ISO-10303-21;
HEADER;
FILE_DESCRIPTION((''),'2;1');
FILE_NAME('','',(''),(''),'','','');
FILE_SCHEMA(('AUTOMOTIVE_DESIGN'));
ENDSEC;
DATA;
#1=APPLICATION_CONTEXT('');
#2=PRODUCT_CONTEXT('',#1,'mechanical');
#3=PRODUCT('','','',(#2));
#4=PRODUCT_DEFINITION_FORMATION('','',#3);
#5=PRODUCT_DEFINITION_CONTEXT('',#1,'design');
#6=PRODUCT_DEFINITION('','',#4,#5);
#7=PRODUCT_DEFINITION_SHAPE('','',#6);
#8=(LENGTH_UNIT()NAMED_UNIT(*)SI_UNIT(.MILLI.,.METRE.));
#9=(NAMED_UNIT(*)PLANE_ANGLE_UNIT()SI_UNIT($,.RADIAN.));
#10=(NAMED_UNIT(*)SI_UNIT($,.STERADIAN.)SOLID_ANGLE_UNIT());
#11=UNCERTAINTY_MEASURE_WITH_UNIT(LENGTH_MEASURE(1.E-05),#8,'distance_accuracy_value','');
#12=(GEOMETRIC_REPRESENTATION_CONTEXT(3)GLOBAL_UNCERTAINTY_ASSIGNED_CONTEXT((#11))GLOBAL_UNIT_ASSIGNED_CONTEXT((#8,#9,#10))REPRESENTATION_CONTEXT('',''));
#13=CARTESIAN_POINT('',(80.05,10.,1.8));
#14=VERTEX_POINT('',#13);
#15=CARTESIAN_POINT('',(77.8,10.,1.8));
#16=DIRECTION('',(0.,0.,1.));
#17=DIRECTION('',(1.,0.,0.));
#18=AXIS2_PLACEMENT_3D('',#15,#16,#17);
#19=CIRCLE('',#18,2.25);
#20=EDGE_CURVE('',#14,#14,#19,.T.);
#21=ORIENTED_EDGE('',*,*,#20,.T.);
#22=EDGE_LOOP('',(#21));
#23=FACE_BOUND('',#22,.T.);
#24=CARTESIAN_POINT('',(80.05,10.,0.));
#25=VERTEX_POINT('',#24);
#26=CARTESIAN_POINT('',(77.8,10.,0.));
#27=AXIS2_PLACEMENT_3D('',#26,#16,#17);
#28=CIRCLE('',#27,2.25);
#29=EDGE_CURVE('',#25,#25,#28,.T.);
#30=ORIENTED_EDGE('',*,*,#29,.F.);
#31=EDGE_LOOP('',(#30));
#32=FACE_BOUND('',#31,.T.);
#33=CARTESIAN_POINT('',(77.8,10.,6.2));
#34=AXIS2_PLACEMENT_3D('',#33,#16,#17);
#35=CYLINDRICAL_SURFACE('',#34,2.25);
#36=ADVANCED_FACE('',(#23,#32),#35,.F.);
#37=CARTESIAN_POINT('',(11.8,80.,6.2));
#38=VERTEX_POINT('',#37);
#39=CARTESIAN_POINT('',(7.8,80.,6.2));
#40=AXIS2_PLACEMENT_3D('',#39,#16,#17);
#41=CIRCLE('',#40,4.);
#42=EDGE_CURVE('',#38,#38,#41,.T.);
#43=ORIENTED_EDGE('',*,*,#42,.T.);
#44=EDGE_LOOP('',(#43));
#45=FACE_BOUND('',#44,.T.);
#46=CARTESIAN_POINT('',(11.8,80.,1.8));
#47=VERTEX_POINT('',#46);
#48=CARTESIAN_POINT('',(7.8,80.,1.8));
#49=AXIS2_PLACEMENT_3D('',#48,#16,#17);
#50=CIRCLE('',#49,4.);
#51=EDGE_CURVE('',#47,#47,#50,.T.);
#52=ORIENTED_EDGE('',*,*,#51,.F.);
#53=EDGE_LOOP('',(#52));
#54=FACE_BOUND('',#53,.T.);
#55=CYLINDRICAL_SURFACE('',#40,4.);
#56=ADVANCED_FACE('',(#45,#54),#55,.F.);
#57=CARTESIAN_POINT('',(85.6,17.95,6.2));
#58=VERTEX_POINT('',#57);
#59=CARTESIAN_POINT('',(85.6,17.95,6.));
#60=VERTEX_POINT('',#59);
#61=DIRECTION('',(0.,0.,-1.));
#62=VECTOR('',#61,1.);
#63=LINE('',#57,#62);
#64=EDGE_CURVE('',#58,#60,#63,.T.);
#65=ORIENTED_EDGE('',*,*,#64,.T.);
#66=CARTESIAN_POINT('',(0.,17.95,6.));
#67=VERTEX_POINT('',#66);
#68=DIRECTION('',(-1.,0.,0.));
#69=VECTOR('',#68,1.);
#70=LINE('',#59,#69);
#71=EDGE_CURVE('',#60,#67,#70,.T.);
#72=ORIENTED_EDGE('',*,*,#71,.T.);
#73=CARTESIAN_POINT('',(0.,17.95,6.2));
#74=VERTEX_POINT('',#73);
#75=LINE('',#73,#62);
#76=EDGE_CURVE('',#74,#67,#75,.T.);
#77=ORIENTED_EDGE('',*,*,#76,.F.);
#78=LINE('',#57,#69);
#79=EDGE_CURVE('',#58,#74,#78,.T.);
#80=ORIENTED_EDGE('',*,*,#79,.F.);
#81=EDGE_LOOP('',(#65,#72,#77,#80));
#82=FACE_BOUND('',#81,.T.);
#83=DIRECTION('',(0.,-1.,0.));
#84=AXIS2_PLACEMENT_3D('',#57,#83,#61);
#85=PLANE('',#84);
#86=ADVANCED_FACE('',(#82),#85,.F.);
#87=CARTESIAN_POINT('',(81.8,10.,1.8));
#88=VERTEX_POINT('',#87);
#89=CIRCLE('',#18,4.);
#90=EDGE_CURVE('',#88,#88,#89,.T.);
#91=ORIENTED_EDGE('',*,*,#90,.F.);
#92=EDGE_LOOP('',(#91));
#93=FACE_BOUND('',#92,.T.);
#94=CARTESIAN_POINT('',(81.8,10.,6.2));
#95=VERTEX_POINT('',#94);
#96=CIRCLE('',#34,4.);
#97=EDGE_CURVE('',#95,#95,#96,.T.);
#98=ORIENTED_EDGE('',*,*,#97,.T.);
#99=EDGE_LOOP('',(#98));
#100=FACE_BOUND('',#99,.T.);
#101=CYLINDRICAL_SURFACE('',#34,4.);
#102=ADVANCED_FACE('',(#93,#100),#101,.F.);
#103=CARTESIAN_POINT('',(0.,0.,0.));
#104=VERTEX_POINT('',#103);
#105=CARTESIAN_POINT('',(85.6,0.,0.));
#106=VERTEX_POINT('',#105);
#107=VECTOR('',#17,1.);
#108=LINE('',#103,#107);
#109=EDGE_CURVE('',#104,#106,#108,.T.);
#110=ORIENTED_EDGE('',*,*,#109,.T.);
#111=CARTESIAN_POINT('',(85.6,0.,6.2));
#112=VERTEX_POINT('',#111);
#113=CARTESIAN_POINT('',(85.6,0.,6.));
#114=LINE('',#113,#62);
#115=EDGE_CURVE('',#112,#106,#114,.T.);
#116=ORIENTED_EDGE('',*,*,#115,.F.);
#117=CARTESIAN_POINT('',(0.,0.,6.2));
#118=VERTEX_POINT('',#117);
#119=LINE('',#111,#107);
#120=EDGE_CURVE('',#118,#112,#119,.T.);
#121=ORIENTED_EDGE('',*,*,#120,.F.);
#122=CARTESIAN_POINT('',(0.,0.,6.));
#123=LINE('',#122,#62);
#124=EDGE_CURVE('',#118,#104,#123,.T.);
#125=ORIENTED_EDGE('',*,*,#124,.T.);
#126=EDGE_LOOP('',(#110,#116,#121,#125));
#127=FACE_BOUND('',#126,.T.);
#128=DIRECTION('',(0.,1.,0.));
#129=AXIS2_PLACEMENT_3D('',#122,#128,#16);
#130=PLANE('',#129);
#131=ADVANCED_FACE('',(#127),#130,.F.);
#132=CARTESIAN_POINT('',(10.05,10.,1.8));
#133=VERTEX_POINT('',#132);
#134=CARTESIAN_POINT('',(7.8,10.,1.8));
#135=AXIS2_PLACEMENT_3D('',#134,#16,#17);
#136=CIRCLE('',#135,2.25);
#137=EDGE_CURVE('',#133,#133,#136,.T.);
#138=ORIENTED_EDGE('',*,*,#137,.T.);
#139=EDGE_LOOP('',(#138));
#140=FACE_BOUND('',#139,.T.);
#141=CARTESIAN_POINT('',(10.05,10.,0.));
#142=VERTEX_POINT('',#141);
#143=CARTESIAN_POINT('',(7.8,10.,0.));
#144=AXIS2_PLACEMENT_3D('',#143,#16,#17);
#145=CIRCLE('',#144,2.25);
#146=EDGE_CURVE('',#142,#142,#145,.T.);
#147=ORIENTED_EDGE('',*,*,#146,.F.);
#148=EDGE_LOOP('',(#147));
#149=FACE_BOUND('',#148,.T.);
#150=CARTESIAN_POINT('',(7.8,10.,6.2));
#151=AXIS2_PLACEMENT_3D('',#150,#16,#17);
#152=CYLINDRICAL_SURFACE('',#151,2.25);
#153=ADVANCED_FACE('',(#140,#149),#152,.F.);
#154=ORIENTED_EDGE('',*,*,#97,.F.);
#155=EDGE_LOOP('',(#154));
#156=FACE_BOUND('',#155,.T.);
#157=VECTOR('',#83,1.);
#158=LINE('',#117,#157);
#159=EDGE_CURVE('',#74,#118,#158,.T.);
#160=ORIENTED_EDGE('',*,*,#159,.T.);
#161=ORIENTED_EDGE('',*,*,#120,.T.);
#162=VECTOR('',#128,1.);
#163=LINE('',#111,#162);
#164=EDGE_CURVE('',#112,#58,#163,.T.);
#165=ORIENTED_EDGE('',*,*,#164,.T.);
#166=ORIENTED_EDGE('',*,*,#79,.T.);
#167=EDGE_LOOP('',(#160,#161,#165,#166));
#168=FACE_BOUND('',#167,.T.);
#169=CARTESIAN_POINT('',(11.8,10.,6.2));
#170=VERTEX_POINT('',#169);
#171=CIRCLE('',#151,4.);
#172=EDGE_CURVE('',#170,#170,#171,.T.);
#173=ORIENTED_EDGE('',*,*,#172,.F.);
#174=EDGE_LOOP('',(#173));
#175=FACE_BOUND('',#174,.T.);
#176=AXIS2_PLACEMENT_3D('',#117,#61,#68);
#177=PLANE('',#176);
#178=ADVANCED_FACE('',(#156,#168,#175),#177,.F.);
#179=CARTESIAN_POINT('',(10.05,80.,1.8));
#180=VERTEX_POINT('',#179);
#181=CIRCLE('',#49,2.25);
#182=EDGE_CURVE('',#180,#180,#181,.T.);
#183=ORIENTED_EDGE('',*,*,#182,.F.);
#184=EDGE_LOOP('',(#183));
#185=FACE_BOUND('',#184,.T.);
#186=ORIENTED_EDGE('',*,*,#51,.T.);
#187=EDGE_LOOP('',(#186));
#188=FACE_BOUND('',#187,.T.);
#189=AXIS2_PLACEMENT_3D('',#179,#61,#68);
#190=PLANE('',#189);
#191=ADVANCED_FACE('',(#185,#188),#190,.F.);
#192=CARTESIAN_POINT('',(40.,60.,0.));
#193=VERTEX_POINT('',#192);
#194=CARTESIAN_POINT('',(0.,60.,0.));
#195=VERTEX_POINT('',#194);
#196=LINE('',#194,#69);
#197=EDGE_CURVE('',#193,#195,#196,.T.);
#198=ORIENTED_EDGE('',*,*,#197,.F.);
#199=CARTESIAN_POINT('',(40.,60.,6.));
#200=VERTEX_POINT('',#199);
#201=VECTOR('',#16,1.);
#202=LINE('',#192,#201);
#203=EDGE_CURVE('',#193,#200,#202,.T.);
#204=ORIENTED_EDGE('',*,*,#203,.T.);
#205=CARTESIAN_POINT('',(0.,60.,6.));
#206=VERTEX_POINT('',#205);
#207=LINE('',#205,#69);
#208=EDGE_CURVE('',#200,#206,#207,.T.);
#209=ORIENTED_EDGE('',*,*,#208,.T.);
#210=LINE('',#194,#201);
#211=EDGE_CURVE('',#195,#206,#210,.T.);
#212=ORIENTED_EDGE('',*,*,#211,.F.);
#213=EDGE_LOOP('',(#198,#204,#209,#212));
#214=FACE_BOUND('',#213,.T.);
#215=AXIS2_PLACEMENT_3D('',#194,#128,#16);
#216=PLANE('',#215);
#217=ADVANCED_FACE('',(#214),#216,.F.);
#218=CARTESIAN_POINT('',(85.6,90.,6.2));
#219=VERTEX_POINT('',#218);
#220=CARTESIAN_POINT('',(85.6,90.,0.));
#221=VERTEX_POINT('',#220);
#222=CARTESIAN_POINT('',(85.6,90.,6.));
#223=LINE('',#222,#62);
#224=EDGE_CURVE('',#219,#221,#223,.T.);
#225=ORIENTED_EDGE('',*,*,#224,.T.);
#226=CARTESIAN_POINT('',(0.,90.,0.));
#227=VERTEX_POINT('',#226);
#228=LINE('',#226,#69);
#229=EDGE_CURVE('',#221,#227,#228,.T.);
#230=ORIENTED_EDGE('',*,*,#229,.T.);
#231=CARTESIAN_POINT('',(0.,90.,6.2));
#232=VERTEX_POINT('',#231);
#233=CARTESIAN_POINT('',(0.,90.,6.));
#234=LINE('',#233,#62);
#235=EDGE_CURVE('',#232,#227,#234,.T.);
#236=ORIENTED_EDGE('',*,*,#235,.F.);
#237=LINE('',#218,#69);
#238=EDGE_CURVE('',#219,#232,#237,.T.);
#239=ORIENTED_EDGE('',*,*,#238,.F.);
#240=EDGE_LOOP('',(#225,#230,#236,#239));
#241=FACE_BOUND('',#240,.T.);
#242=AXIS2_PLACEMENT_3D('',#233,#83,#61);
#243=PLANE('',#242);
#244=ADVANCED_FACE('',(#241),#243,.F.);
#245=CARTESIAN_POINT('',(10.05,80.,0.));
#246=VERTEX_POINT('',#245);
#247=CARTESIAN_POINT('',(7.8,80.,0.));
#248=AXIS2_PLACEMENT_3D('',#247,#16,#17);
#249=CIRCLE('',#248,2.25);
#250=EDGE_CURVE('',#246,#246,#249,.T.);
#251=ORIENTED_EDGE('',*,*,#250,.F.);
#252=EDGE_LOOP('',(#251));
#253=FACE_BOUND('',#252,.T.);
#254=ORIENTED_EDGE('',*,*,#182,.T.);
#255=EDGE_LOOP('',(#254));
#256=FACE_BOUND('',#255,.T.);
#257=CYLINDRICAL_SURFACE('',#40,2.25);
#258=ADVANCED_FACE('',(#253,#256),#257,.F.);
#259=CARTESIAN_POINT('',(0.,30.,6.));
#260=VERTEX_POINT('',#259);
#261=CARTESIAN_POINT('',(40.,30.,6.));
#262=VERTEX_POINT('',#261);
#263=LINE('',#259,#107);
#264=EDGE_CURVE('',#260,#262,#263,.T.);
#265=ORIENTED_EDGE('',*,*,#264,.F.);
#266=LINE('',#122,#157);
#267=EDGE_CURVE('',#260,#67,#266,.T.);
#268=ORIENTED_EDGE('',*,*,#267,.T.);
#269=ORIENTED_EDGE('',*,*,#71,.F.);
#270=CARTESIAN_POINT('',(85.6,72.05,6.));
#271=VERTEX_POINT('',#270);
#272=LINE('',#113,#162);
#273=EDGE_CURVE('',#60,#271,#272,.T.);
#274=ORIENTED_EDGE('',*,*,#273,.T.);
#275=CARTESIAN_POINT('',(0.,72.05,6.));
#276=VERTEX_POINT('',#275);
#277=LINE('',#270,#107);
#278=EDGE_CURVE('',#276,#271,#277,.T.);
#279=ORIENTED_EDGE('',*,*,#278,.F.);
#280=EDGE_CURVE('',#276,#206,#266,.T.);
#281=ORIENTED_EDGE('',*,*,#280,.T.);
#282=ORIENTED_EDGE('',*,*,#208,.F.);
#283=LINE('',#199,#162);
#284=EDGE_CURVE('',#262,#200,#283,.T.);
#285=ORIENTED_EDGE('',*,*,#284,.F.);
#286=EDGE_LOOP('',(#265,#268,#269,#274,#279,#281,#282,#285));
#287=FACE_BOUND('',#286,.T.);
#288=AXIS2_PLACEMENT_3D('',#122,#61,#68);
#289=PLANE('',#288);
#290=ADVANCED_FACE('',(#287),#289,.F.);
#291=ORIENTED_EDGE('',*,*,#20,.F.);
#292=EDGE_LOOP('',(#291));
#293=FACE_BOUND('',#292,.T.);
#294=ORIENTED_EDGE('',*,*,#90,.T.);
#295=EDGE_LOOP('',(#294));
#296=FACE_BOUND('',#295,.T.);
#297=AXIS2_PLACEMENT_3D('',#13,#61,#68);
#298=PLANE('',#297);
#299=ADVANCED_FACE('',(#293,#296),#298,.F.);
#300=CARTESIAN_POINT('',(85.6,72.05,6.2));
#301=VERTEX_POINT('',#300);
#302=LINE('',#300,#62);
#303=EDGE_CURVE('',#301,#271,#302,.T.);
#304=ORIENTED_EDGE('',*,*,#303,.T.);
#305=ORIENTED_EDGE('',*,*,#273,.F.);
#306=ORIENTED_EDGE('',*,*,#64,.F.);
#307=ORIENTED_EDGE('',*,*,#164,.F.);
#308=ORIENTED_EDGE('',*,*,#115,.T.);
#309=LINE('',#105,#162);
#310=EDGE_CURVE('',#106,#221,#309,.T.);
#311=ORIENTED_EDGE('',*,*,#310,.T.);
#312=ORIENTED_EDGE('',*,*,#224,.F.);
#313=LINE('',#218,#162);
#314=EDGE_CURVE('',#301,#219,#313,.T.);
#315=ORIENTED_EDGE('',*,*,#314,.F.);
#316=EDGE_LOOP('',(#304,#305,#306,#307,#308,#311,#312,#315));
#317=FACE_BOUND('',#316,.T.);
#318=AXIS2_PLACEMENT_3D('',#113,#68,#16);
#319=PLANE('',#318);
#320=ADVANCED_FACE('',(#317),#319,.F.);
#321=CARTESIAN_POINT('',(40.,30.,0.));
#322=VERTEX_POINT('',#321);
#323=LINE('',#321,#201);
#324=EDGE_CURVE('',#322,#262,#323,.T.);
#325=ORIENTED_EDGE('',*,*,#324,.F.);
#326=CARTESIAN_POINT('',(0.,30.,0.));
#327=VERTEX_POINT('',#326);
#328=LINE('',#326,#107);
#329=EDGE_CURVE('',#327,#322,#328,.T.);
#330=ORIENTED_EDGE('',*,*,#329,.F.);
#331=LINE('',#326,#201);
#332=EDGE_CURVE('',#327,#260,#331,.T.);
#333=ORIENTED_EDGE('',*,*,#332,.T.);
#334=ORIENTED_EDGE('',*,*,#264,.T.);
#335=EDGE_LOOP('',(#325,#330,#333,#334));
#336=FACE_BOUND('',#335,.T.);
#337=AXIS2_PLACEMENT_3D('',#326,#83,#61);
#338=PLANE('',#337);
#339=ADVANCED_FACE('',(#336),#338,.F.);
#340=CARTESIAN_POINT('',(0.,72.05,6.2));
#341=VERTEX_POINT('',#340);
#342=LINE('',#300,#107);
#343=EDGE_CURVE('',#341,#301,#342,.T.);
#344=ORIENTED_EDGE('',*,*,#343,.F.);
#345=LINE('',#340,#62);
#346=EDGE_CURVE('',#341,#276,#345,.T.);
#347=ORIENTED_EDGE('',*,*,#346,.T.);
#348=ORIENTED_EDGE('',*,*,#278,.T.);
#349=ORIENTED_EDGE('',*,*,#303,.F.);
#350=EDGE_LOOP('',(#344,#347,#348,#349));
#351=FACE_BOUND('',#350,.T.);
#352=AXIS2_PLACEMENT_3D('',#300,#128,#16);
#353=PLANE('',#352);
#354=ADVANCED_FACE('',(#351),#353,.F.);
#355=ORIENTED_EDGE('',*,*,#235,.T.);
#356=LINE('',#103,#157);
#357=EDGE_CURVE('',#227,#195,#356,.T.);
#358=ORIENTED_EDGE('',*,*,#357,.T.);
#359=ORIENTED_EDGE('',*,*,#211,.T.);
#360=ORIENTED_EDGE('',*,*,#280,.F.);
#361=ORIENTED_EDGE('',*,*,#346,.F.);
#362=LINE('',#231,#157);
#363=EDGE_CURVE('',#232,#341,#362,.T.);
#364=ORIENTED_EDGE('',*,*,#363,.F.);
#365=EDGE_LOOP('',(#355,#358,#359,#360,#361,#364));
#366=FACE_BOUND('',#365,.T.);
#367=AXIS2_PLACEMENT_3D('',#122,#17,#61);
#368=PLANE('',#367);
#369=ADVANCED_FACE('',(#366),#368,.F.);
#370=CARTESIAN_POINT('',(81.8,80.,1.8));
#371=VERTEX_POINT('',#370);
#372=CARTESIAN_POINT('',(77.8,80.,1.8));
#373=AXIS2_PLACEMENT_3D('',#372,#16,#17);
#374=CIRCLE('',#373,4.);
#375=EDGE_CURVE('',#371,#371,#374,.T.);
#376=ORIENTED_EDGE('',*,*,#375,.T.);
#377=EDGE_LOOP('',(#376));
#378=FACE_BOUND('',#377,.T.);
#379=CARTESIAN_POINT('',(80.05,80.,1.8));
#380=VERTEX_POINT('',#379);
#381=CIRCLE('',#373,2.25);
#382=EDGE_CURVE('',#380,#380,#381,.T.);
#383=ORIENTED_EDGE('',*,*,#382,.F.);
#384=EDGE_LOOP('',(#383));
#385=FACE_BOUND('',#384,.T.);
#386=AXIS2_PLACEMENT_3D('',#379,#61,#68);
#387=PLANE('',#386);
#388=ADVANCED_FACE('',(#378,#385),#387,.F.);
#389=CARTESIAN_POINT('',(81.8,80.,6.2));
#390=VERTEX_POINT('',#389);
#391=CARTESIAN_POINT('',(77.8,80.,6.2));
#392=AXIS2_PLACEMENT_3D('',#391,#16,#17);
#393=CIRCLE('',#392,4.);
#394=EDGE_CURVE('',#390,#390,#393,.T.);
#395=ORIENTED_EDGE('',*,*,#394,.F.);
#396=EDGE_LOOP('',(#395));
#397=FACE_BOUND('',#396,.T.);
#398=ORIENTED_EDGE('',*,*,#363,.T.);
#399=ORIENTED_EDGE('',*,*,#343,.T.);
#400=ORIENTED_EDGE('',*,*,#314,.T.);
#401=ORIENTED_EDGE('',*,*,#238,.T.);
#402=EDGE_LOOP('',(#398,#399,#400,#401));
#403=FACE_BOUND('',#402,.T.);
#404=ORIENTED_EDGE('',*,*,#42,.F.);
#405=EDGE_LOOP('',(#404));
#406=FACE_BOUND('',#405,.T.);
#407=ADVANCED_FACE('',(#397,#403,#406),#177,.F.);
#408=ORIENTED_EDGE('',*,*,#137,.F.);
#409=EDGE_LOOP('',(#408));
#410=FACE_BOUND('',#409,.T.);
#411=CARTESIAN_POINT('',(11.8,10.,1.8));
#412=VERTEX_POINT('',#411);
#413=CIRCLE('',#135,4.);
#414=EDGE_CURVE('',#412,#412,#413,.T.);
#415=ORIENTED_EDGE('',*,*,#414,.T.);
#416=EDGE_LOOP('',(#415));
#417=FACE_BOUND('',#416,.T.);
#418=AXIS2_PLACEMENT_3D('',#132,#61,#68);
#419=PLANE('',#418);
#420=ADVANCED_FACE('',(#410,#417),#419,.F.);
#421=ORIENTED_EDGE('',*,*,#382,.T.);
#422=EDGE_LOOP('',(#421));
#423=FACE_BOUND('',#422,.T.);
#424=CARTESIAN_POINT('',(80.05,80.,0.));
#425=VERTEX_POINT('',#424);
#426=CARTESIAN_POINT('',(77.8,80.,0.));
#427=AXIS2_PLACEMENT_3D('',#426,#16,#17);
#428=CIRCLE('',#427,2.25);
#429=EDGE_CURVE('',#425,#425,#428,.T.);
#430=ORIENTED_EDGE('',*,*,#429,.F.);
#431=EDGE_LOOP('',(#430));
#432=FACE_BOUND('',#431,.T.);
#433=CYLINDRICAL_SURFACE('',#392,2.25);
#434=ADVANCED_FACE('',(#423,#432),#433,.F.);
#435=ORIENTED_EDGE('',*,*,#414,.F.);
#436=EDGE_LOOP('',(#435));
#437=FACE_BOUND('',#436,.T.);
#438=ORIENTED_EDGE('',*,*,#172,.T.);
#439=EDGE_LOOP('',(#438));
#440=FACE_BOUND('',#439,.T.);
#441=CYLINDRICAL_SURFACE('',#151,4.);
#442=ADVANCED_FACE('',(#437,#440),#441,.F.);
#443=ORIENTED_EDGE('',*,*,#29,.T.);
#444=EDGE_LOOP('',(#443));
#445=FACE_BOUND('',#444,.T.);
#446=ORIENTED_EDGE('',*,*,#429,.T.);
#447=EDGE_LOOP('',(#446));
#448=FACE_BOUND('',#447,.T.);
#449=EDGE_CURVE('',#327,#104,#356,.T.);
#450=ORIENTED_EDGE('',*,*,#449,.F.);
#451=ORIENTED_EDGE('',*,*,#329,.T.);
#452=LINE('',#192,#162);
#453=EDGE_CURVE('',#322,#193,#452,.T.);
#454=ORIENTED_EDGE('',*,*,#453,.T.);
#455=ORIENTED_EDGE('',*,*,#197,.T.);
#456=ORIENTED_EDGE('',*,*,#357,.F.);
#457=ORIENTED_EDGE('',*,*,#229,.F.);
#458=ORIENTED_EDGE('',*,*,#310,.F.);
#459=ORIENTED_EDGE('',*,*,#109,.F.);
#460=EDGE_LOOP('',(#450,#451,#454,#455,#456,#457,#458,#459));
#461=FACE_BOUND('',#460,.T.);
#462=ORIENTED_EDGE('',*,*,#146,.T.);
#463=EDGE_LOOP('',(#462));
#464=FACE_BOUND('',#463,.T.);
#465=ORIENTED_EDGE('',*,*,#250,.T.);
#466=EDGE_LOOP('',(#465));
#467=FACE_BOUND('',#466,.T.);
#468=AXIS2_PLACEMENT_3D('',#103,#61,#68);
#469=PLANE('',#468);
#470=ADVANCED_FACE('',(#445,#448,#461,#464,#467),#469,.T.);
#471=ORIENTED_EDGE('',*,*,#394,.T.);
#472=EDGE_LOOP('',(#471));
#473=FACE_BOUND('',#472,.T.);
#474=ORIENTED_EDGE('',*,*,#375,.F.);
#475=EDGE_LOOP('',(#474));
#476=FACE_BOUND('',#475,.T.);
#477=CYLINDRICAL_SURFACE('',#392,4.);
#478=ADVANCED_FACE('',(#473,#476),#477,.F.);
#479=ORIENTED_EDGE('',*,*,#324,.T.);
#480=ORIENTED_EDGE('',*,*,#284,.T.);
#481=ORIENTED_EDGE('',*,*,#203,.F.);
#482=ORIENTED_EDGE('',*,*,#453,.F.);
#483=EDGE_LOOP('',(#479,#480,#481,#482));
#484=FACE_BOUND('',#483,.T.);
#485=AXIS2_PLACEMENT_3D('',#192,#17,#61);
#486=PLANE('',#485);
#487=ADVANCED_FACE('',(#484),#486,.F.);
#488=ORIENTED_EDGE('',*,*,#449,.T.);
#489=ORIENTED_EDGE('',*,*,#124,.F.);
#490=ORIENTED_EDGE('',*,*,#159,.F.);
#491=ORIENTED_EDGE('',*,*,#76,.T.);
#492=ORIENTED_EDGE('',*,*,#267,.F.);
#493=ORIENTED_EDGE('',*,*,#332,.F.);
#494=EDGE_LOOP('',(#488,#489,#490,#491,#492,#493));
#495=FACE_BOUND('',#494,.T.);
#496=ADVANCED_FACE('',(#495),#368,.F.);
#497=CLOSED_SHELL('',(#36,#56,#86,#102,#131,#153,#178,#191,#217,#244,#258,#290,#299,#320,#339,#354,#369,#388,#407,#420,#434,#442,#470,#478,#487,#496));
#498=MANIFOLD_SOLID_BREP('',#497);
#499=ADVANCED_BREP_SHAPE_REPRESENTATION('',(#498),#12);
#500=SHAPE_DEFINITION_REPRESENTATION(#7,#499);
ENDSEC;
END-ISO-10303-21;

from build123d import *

# Parameters (mm, degrees)
SKETCH_1_W                   = 85.6
SKETCH_1_H                   = 90
EXTRUDE_1_DEPTH              = 6
SKETCH_2_W                   = 85.6
SKETCH_2_H                   = 17.95
EXTRUDE_2_DEPTH              = 0.2
SKETCH_3_W                   = 40
SKETCH_3_H                   = 30
CUT_EXTRUDE_1_DEPTH          = 7
HOLE_WIZARD_M4_1_D           = 4.5
HOLE_WIZARD_M4_1_CBORE_D     = 8
HOLE_WIZARD_M4_1_CBORE_DEPTH = 4.4


with BuildPart() as part:
    # 草图1 → 凸台-拉伸1 (new body)
    with BuildSketch(Plane.XY):
        with Locations((42.8, 45)):
            Rectangle(SKETCH_1_W, SKETCH_1_H)
    extrude(amount=EXTRUDE_1_DEPTH)

    # 草图2 → 凸台-拉伸2 (add)
    with BuildSketch(Plane.XY.offset(6)):
        with Locations((42.8, 81.025)):
            Rectangle(SKETCH_2_W, SKETCH_2_H)
        with Locations((42.8, 8.975)):
            Rectangle(SKETCH_2_W, SKETCH_2_H)
    extrude(amount=EXTRUDE_2_DEPTH)

    # 草图3 → 切除-拉伸1 (cut, through all)
    with BuildSketch(Plane.XY.offset(6)):
        with Locations((20, 45)):
            Rectangle(SKETCH_3_W, SKETCH_3_H)
    extrude(amount=-CUT_EXTRUDE_1_DEPTH, mode=Mode.SUBTRACT)

    # M4 六角凹头螺钉的柱形沉头孔1 (through all)
    with Locations(Plane.XY.offset(6.2)):
        with Locations((77.8, 80), (7.8, 80), (7.8, 10), (77.8, 10)):
            CounterBoreHole(HOLE_WIZARD_M4_1_D / 2, HOLE_WIZARD_M4_1_CBORE_D / 2, HOLE_WIZARD_M4_1_CBORE_DEPTH)


solid = part.part
